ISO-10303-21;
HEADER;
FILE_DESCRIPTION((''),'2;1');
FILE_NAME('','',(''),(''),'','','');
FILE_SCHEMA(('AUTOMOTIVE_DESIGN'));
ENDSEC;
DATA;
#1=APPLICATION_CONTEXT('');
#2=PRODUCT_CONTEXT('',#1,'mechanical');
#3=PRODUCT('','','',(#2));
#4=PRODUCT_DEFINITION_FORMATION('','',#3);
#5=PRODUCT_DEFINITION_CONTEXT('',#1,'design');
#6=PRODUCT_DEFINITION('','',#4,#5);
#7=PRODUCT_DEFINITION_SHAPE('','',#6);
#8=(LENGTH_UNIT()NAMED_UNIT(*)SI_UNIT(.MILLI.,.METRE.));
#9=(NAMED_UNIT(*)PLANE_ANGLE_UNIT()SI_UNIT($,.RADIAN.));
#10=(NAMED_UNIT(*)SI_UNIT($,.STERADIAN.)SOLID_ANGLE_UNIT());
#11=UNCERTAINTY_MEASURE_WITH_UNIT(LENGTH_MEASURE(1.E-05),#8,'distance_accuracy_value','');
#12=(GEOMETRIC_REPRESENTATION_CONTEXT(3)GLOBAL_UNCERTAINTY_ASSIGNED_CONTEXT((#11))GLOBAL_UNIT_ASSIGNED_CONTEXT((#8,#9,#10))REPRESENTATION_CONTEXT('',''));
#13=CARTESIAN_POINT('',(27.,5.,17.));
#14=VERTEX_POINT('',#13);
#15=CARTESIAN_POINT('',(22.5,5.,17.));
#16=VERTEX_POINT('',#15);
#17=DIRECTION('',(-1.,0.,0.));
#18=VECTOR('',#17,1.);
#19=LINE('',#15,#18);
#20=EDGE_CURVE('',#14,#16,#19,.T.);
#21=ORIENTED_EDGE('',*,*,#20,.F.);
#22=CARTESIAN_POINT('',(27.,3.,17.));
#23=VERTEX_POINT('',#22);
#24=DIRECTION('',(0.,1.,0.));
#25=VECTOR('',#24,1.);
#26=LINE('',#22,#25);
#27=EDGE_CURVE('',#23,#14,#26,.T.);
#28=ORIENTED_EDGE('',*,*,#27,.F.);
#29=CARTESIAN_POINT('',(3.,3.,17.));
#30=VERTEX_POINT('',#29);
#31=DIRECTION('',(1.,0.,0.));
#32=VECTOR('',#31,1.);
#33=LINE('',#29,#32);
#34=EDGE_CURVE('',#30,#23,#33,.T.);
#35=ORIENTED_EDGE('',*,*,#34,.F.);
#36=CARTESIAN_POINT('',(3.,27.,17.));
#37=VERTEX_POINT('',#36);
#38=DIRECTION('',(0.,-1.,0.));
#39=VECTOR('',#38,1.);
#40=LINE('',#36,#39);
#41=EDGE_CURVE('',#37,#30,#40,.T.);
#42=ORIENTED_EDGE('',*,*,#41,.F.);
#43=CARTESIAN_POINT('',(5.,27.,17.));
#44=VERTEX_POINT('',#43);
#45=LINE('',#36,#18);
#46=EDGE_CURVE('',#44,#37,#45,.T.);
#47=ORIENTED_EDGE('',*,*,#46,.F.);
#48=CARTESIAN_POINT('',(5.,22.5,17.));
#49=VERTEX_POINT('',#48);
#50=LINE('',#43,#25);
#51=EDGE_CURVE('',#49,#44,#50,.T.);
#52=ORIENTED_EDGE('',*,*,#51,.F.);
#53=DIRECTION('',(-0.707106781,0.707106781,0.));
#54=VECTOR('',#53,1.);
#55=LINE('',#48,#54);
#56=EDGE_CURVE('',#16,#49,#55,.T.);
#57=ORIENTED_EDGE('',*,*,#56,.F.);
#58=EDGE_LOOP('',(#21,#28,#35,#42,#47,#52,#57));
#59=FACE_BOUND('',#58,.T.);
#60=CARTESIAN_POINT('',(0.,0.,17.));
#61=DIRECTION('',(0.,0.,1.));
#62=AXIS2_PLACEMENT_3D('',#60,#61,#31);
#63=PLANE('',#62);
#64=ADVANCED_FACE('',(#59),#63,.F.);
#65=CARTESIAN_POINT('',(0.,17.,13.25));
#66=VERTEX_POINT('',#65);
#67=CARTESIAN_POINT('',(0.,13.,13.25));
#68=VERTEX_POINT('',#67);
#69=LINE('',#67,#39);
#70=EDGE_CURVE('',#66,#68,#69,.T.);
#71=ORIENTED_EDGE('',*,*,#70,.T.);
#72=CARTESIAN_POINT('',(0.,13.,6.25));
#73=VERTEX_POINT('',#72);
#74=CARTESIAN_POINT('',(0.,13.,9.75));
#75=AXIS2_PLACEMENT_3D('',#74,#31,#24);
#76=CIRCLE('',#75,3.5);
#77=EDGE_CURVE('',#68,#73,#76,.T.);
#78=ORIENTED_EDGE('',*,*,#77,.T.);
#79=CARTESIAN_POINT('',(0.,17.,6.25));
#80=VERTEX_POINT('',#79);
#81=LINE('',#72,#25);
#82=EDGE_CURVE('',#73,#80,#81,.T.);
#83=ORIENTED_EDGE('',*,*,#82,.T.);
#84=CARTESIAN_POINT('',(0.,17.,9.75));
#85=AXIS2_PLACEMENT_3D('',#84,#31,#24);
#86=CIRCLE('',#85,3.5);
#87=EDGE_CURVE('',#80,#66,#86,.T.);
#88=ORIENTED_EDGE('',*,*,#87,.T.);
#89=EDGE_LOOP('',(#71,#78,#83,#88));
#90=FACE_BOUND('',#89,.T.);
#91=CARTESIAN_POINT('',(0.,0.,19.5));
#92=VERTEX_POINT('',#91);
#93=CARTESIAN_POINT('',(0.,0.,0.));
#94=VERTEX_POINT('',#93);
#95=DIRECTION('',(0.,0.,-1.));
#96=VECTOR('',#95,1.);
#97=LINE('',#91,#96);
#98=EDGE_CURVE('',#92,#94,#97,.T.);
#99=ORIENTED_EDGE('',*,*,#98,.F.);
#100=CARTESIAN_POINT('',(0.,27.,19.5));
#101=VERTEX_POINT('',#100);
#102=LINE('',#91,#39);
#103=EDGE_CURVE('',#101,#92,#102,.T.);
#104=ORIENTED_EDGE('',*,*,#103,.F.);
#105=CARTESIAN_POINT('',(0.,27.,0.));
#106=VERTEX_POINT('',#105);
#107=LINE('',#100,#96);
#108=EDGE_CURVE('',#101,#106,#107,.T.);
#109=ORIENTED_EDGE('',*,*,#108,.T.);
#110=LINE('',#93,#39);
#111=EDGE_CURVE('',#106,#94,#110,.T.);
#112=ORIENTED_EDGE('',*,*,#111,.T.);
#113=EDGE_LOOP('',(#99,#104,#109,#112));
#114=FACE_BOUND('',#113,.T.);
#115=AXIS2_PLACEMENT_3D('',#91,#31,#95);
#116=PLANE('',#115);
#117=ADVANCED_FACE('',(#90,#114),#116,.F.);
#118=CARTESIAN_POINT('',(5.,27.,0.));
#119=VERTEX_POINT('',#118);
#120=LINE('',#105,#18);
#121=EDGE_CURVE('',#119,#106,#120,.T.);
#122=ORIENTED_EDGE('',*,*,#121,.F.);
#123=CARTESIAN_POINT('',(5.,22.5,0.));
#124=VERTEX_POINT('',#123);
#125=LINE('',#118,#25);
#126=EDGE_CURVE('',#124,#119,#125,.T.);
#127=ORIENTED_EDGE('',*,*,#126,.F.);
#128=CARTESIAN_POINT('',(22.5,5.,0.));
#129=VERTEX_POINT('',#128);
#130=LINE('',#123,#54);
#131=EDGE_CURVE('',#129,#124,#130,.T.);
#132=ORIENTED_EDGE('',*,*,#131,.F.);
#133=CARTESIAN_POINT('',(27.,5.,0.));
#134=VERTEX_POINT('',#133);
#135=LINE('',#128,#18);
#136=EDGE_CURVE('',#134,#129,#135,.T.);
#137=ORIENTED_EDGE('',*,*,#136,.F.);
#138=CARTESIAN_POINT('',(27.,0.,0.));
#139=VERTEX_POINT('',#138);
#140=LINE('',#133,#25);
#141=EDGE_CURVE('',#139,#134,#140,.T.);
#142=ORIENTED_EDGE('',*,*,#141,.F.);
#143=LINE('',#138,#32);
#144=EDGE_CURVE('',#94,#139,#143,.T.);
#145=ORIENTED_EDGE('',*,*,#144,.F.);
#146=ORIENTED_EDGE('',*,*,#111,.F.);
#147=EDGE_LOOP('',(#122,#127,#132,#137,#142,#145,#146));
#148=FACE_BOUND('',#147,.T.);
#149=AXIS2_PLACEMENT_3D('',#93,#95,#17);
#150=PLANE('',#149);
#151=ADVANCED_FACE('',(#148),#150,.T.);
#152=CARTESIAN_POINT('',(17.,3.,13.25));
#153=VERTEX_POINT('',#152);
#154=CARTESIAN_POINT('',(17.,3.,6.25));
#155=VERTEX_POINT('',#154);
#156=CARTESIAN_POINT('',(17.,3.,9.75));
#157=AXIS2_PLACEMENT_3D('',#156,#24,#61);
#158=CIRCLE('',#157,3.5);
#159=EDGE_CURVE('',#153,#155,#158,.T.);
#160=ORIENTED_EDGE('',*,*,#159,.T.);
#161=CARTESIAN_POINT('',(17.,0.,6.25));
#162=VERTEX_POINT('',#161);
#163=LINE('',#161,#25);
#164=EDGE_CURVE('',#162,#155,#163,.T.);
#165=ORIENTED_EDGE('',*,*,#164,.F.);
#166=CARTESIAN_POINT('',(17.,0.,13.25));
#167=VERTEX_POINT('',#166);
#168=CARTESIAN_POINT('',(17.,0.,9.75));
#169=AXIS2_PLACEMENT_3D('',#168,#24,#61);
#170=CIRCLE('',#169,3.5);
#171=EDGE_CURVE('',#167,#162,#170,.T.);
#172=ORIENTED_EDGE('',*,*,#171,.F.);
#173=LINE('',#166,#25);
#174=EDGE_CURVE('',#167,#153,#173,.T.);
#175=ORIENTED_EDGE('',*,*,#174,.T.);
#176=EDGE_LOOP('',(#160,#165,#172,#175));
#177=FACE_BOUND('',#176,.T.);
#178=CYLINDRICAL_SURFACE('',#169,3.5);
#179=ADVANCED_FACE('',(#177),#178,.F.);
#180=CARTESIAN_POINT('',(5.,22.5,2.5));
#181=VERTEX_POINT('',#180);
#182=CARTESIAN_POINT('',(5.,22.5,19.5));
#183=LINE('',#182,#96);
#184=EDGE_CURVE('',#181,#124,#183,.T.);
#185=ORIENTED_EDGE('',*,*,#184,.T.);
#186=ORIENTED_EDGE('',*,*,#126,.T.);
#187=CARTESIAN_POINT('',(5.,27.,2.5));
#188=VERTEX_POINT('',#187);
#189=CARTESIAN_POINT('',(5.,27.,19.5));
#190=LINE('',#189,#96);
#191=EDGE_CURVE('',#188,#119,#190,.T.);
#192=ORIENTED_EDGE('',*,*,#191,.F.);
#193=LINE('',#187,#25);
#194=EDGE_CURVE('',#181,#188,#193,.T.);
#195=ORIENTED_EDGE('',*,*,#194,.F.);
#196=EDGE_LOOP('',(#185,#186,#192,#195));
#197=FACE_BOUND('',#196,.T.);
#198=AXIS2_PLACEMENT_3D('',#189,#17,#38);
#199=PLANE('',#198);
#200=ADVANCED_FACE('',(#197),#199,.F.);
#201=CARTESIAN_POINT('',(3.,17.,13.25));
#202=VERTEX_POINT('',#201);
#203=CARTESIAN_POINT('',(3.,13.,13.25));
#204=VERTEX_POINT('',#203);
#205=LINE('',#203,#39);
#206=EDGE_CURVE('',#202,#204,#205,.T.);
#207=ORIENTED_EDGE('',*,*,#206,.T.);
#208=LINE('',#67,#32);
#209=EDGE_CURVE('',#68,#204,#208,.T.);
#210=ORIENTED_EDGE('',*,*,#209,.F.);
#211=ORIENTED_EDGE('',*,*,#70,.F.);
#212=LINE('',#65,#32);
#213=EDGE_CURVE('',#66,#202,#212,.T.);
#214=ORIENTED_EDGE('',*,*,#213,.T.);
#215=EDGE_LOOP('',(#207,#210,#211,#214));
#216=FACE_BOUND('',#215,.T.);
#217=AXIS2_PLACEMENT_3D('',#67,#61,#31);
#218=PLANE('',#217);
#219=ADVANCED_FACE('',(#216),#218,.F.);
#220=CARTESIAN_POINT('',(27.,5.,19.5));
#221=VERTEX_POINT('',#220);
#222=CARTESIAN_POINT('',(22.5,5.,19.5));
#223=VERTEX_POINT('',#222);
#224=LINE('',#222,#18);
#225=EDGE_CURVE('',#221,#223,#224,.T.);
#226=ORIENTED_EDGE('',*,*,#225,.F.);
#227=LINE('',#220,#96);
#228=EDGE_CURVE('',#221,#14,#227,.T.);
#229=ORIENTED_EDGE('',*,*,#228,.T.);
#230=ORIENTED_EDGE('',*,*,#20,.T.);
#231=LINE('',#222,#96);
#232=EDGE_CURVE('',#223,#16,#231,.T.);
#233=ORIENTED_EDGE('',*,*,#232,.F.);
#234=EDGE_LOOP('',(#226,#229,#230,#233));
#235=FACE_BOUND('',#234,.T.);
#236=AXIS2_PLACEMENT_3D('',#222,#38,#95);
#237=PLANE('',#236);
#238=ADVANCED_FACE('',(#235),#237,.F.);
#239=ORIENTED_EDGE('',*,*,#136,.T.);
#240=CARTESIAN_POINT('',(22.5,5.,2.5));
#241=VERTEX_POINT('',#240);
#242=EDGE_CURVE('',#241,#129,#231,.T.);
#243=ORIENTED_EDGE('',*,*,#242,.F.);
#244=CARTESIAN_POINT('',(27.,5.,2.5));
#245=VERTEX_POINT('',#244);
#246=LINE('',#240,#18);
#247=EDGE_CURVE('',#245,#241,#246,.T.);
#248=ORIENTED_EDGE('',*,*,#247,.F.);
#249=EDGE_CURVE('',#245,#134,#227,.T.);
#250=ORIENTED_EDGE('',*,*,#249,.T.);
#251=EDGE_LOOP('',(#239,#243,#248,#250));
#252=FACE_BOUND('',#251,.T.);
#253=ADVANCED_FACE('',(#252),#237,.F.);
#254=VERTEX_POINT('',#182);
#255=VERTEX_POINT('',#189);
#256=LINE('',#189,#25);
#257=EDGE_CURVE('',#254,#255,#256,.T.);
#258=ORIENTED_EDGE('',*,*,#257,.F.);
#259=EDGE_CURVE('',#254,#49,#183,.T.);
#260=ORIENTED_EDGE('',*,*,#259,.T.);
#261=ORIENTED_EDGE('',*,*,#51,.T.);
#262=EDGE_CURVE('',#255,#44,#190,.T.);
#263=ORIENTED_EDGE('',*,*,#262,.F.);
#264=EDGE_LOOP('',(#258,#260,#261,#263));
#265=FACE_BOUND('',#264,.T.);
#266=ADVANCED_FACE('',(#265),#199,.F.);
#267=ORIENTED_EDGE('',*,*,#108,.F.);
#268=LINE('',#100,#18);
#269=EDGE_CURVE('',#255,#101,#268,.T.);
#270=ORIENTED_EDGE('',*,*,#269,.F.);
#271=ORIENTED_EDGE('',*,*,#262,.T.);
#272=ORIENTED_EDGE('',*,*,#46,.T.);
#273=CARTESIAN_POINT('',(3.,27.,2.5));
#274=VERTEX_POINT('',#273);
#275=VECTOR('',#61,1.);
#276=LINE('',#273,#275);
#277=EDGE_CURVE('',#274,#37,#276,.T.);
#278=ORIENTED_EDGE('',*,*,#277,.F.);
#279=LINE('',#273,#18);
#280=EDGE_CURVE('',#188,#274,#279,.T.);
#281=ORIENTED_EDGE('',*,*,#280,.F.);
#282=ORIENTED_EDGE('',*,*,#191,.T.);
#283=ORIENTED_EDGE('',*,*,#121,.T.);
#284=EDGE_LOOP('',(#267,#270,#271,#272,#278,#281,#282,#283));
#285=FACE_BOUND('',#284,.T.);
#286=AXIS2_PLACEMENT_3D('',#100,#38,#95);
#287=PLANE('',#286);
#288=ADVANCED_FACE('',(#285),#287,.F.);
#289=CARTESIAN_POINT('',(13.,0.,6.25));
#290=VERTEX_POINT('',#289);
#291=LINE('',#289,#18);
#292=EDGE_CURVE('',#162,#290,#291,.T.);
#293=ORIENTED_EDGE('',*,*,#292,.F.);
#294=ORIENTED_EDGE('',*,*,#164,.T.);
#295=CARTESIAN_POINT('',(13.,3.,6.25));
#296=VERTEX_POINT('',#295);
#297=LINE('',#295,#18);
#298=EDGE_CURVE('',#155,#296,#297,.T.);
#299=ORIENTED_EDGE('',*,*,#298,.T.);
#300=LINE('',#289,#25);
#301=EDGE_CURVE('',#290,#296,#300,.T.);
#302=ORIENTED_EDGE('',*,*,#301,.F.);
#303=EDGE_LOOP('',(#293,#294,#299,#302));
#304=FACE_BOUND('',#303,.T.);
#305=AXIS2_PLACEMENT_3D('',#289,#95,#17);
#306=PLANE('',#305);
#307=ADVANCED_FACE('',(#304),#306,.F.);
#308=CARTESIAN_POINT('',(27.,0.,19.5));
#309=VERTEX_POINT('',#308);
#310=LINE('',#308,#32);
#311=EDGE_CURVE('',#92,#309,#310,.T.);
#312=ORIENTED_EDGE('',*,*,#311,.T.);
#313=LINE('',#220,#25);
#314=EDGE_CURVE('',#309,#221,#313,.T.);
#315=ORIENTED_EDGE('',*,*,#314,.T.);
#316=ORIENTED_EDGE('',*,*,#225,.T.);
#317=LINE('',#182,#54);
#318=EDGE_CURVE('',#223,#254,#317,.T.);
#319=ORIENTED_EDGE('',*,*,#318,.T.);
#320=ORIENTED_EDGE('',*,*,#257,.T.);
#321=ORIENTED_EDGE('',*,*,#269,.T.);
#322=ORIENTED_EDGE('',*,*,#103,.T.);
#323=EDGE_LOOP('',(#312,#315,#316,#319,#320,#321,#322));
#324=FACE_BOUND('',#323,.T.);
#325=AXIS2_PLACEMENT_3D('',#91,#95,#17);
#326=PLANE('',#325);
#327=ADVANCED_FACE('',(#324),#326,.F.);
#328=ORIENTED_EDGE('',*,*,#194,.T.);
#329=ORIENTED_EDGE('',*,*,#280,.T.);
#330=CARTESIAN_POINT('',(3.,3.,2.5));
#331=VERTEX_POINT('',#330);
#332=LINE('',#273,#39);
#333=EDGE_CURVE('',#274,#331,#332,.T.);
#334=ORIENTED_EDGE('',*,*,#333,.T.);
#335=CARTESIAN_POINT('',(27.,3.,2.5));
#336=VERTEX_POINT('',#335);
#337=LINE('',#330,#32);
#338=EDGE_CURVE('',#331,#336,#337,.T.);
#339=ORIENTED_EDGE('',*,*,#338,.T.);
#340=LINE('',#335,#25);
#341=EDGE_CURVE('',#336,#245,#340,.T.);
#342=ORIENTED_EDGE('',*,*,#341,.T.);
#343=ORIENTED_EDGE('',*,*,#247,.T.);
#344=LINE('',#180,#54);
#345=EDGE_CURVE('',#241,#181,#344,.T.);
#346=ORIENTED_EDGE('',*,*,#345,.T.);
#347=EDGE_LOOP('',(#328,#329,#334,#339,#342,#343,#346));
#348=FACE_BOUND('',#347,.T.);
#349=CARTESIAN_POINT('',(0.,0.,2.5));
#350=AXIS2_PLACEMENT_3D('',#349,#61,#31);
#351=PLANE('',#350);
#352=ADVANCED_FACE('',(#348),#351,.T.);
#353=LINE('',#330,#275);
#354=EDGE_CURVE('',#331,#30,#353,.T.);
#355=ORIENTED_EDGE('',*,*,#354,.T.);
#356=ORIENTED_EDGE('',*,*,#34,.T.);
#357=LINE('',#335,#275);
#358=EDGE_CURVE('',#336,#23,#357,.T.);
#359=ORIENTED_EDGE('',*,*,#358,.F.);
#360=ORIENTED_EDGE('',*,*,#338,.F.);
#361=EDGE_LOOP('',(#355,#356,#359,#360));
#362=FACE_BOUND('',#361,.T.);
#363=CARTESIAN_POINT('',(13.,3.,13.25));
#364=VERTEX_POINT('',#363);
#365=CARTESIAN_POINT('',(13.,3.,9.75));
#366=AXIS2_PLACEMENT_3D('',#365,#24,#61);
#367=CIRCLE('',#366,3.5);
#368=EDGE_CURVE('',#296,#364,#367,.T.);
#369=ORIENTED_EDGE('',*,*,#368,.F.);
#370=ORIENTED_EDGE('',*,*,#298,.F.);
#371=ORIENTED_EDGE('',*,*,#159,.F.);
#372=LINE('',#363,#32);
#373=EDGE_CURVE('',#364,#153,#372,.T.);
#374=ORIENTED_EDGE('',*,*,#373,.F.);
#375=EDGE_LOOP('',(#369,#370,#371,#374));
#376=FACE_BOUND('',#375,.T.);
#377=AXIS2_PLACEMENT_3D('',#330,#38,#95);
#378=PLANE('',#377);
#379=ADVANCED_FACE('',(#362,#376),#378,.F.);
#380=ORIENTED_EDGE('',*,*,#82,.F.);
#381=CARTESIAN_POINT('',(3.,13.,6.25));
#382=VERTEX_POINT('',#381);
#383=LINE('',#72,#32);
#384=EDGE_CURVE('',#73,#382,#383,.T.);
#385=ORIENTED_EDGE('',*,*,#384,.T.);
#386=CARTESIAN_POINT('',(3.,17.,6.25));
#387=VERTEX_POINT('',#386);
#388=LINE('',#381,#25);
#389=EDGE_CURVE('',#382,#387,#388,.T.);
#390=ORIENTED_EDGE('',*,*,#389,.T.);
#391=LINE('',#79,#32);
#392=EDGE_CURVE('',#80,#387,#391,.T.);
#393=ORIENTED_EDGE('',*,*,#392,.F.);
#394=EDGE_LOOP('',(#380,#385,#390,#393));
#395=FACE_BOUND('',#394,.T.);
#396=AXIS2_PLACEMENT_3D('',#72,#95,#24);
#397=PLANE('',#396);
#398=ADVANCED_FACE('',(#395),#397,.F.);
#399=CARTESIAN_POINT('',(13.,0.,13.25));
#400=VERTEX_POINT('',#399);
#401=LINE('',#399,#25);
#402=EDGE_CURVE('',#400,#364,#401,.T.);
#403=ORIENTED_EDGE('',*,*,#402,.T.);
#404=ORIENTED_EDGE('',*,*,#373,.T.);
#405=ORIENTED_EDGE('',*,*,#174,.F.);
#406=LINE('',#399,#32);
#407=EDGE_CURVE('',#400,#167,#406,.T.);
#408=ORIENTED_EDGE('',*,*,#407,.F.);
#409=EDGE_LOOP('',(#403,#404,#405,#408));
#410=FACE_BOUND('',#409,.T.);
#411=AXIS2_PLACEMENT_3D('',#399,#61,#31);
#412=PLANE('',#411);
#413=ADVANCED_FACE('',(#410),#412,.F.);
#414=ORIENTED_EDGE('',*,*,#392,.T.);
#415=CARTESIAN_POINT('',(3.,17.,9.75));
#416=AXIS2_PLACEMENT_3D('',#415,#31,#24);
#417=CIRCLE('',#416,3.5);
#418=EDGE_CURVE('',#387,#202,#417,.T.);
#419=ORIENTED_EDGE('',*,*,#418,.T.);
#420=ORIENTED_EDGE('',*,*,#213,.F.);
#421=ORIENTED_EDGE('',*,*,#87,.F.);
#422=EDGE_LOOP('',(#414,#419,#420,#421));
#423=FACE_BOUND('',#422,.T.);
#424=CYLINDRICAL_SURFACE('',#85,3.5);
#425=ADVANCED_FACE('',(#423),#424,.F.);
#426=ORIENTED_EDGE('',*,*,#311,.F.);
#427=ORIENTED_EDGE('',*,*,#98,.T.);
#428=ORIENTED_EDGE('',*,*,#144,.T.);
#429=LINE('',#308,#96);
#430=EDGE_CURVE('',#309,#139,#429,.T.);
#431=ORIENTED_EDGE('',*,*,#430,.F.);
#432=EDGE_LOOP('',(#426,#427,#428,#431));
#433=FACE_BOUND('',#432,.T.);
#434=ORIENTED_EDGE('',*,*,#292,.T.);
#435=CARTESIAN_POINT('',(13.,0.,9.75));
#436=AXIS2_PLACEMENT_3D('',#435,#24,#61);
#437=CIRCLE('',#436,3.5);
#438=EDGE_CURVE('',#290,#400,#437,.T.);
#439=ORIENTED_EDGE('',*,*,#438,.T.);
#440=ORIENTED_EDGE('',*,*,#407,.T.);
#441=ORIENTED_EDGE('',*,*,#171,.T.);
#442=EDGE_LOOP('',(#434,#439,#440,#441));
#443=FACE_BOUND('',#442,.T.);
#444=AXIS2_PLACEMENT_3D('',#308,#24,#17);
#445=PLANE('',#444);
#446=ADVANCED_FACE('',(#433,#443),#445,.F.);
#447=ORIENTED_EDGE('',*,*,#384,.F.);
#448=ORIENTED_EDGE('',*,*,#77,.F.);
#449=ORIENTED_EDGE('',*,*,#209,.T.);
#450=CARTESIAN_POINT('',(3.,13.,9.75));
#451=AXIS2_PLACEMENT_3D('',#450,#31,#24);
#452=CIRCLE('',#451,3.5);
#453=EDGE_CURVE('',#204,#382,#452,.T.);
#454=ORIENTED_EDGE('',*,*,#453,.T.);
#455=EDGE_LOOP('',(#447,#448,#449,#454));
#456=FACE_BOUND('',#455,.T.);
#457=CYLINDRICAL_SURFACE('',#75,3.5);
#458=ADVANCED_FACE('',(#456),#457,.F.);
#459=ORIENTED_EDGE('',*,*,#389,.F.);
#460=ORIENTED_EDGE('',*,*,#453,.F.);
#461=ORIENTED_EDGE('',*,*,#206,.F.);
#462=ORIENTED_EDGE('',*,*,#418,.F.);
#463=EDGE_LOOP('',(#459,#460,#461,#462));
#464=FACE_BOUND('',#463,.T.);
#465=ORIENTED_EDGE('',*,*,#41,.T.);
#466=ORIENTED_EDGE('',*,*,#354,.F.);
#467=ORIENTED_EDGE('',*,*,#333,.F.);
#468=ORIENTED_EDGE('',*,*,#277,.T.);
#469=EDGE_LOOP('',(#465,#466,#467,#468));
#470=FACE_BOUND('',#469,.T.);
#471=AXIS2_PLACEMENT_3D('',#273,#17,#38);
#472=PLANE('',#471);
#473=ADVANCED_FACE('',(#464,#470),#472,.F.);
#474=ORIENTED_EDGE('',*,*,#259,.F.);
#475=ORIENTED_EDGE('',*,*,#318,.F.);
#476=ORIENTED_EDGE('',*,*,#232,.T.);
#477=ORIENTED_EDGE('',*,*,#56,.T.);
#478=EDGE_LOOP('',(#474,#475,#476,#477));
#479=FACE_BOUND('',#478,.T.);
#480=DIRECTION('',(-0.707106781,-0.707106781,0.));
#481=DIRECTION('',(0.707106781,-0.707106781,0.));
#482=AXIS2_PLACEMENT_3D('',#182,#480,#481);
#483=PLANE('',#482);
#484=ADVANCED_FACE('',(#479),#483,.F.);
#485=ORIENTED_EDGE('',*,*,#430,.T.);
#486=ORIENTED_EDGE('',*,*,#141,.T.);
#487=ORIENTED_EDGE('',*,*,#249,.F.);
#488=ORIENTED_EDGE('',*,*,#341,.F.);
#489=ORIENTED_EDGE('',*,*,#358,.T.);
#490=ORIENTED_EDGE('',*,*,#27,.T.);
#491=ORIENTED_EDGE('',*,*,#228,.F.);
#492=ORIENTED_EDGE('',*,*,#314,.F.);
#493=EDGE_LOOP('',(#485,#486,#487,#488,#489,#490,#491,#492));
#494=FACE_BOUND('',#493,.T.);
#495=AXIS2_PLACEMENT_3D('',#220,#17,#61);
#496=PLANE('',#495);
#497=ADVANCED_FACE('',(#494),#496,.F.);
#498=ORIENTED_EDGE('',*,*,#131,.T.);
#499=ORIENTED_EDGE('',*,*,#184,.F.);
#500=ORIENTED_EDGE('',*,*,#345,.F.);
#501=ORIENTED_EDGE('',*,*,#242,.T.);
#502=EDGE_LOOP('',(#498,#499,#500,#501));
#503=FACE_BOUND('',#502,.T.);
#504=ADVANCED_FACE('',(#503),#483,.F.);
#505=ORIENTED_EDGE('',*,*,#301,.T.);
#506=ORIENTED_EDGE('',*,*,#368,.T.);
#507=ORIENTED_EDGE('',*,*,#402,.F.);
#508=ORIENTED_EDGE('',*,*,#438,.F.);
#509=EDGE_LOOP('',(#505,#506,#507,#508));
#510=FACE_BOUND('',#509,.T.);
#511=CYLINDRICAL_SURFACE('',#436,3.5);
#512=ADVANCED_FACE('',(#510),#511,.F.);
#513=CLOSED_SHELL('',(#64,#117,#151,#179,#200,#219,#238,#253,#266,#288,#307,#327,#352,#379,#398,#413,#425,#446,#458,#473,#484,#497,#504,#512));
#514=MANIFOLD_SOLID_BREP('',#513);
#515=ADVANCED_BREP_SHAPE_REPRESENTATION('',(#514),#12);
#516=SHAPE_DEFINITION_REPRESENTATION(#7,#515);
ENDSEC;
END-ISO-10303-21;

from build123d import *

# Parameters (mm, degrees)
BOSS_EXTRUDE1_DEPTH = 19.5
CUT_EXTRUDE2_DEPTH  = 14.5
CUT_EXTRUDE3_DEPTH  = 42.05179655
CUT_EXTRUDE4_DEPTH  = 42.05179655


with BuildPart() as part:
    # Sketch1 → Boss-Extrude1 (new body)
    with BuildSketch(Plane.XY):
        Polygon((0, 0), (0, 27), (5, 27), (5, 22.5), (22.5, 5), (27, 5), (27, 0), align=None)
    extrude(amount=BOSS_EXTRUDE1_DEPTH)

    # Sketch2 → Cut-Extrude2 (cut)
    with BuildSketch(Plane.XY.offset(17)):
        Polygon((3, 27), (5, 27), (5, 22.5), (22.5, 5), (27, 5), (27, 3), (3, 3), align=None)
    extrude(amount=-CUT_EXTRUDE2_DEPTH, mode=Mode.SUBTRACT)

    # Sketch3 → Cut-Extrude3 (cut, through all)
    with BuildSketch(Plane(origin=(0, 3, 0), x_dir=(1, 0, 0), z_dir=(0, 1, 0))):
        with BuildLine():
            Line((13, -6.25), (17, -6.25))
            ThreePointArc((17, -6.25), (20.5, -9.75), (17, -13.25))
            Line((17, -13.25), (13, -13.25))
            ThreePointArc((13, -13.25), (9.5, -9.75), (13, -6.25))
        make_face()
    extrude(amount=-CUT_EXTRUDE3_DEPTH, mode=Mode.SUBTRACT)

    # Sketch4 → Cut-Extrude4 (cut, through all)
    with BuildSketch(Plane(origin=(3, 0, 0), x_dir=(0, 0, -1), z_dir=(1, 0, 0))):
        with BuildLine():
            Line((-13.25, 13), (-13.25, 17))
            ThreePointArc((-13.25, 17), (-9.75, 20.5), (-6.25, 17))
            Line((-6.25, 17), (-6.25, 13))
            ThreePointArc((-6.25, 13), (-9.75, 9.5), (-13.25, 13))
        make_face()
    extrude(amount=-CUT_EXTRUDE4_DEPTH, mode=Mode.SUBTRACT)


solid = part.part
